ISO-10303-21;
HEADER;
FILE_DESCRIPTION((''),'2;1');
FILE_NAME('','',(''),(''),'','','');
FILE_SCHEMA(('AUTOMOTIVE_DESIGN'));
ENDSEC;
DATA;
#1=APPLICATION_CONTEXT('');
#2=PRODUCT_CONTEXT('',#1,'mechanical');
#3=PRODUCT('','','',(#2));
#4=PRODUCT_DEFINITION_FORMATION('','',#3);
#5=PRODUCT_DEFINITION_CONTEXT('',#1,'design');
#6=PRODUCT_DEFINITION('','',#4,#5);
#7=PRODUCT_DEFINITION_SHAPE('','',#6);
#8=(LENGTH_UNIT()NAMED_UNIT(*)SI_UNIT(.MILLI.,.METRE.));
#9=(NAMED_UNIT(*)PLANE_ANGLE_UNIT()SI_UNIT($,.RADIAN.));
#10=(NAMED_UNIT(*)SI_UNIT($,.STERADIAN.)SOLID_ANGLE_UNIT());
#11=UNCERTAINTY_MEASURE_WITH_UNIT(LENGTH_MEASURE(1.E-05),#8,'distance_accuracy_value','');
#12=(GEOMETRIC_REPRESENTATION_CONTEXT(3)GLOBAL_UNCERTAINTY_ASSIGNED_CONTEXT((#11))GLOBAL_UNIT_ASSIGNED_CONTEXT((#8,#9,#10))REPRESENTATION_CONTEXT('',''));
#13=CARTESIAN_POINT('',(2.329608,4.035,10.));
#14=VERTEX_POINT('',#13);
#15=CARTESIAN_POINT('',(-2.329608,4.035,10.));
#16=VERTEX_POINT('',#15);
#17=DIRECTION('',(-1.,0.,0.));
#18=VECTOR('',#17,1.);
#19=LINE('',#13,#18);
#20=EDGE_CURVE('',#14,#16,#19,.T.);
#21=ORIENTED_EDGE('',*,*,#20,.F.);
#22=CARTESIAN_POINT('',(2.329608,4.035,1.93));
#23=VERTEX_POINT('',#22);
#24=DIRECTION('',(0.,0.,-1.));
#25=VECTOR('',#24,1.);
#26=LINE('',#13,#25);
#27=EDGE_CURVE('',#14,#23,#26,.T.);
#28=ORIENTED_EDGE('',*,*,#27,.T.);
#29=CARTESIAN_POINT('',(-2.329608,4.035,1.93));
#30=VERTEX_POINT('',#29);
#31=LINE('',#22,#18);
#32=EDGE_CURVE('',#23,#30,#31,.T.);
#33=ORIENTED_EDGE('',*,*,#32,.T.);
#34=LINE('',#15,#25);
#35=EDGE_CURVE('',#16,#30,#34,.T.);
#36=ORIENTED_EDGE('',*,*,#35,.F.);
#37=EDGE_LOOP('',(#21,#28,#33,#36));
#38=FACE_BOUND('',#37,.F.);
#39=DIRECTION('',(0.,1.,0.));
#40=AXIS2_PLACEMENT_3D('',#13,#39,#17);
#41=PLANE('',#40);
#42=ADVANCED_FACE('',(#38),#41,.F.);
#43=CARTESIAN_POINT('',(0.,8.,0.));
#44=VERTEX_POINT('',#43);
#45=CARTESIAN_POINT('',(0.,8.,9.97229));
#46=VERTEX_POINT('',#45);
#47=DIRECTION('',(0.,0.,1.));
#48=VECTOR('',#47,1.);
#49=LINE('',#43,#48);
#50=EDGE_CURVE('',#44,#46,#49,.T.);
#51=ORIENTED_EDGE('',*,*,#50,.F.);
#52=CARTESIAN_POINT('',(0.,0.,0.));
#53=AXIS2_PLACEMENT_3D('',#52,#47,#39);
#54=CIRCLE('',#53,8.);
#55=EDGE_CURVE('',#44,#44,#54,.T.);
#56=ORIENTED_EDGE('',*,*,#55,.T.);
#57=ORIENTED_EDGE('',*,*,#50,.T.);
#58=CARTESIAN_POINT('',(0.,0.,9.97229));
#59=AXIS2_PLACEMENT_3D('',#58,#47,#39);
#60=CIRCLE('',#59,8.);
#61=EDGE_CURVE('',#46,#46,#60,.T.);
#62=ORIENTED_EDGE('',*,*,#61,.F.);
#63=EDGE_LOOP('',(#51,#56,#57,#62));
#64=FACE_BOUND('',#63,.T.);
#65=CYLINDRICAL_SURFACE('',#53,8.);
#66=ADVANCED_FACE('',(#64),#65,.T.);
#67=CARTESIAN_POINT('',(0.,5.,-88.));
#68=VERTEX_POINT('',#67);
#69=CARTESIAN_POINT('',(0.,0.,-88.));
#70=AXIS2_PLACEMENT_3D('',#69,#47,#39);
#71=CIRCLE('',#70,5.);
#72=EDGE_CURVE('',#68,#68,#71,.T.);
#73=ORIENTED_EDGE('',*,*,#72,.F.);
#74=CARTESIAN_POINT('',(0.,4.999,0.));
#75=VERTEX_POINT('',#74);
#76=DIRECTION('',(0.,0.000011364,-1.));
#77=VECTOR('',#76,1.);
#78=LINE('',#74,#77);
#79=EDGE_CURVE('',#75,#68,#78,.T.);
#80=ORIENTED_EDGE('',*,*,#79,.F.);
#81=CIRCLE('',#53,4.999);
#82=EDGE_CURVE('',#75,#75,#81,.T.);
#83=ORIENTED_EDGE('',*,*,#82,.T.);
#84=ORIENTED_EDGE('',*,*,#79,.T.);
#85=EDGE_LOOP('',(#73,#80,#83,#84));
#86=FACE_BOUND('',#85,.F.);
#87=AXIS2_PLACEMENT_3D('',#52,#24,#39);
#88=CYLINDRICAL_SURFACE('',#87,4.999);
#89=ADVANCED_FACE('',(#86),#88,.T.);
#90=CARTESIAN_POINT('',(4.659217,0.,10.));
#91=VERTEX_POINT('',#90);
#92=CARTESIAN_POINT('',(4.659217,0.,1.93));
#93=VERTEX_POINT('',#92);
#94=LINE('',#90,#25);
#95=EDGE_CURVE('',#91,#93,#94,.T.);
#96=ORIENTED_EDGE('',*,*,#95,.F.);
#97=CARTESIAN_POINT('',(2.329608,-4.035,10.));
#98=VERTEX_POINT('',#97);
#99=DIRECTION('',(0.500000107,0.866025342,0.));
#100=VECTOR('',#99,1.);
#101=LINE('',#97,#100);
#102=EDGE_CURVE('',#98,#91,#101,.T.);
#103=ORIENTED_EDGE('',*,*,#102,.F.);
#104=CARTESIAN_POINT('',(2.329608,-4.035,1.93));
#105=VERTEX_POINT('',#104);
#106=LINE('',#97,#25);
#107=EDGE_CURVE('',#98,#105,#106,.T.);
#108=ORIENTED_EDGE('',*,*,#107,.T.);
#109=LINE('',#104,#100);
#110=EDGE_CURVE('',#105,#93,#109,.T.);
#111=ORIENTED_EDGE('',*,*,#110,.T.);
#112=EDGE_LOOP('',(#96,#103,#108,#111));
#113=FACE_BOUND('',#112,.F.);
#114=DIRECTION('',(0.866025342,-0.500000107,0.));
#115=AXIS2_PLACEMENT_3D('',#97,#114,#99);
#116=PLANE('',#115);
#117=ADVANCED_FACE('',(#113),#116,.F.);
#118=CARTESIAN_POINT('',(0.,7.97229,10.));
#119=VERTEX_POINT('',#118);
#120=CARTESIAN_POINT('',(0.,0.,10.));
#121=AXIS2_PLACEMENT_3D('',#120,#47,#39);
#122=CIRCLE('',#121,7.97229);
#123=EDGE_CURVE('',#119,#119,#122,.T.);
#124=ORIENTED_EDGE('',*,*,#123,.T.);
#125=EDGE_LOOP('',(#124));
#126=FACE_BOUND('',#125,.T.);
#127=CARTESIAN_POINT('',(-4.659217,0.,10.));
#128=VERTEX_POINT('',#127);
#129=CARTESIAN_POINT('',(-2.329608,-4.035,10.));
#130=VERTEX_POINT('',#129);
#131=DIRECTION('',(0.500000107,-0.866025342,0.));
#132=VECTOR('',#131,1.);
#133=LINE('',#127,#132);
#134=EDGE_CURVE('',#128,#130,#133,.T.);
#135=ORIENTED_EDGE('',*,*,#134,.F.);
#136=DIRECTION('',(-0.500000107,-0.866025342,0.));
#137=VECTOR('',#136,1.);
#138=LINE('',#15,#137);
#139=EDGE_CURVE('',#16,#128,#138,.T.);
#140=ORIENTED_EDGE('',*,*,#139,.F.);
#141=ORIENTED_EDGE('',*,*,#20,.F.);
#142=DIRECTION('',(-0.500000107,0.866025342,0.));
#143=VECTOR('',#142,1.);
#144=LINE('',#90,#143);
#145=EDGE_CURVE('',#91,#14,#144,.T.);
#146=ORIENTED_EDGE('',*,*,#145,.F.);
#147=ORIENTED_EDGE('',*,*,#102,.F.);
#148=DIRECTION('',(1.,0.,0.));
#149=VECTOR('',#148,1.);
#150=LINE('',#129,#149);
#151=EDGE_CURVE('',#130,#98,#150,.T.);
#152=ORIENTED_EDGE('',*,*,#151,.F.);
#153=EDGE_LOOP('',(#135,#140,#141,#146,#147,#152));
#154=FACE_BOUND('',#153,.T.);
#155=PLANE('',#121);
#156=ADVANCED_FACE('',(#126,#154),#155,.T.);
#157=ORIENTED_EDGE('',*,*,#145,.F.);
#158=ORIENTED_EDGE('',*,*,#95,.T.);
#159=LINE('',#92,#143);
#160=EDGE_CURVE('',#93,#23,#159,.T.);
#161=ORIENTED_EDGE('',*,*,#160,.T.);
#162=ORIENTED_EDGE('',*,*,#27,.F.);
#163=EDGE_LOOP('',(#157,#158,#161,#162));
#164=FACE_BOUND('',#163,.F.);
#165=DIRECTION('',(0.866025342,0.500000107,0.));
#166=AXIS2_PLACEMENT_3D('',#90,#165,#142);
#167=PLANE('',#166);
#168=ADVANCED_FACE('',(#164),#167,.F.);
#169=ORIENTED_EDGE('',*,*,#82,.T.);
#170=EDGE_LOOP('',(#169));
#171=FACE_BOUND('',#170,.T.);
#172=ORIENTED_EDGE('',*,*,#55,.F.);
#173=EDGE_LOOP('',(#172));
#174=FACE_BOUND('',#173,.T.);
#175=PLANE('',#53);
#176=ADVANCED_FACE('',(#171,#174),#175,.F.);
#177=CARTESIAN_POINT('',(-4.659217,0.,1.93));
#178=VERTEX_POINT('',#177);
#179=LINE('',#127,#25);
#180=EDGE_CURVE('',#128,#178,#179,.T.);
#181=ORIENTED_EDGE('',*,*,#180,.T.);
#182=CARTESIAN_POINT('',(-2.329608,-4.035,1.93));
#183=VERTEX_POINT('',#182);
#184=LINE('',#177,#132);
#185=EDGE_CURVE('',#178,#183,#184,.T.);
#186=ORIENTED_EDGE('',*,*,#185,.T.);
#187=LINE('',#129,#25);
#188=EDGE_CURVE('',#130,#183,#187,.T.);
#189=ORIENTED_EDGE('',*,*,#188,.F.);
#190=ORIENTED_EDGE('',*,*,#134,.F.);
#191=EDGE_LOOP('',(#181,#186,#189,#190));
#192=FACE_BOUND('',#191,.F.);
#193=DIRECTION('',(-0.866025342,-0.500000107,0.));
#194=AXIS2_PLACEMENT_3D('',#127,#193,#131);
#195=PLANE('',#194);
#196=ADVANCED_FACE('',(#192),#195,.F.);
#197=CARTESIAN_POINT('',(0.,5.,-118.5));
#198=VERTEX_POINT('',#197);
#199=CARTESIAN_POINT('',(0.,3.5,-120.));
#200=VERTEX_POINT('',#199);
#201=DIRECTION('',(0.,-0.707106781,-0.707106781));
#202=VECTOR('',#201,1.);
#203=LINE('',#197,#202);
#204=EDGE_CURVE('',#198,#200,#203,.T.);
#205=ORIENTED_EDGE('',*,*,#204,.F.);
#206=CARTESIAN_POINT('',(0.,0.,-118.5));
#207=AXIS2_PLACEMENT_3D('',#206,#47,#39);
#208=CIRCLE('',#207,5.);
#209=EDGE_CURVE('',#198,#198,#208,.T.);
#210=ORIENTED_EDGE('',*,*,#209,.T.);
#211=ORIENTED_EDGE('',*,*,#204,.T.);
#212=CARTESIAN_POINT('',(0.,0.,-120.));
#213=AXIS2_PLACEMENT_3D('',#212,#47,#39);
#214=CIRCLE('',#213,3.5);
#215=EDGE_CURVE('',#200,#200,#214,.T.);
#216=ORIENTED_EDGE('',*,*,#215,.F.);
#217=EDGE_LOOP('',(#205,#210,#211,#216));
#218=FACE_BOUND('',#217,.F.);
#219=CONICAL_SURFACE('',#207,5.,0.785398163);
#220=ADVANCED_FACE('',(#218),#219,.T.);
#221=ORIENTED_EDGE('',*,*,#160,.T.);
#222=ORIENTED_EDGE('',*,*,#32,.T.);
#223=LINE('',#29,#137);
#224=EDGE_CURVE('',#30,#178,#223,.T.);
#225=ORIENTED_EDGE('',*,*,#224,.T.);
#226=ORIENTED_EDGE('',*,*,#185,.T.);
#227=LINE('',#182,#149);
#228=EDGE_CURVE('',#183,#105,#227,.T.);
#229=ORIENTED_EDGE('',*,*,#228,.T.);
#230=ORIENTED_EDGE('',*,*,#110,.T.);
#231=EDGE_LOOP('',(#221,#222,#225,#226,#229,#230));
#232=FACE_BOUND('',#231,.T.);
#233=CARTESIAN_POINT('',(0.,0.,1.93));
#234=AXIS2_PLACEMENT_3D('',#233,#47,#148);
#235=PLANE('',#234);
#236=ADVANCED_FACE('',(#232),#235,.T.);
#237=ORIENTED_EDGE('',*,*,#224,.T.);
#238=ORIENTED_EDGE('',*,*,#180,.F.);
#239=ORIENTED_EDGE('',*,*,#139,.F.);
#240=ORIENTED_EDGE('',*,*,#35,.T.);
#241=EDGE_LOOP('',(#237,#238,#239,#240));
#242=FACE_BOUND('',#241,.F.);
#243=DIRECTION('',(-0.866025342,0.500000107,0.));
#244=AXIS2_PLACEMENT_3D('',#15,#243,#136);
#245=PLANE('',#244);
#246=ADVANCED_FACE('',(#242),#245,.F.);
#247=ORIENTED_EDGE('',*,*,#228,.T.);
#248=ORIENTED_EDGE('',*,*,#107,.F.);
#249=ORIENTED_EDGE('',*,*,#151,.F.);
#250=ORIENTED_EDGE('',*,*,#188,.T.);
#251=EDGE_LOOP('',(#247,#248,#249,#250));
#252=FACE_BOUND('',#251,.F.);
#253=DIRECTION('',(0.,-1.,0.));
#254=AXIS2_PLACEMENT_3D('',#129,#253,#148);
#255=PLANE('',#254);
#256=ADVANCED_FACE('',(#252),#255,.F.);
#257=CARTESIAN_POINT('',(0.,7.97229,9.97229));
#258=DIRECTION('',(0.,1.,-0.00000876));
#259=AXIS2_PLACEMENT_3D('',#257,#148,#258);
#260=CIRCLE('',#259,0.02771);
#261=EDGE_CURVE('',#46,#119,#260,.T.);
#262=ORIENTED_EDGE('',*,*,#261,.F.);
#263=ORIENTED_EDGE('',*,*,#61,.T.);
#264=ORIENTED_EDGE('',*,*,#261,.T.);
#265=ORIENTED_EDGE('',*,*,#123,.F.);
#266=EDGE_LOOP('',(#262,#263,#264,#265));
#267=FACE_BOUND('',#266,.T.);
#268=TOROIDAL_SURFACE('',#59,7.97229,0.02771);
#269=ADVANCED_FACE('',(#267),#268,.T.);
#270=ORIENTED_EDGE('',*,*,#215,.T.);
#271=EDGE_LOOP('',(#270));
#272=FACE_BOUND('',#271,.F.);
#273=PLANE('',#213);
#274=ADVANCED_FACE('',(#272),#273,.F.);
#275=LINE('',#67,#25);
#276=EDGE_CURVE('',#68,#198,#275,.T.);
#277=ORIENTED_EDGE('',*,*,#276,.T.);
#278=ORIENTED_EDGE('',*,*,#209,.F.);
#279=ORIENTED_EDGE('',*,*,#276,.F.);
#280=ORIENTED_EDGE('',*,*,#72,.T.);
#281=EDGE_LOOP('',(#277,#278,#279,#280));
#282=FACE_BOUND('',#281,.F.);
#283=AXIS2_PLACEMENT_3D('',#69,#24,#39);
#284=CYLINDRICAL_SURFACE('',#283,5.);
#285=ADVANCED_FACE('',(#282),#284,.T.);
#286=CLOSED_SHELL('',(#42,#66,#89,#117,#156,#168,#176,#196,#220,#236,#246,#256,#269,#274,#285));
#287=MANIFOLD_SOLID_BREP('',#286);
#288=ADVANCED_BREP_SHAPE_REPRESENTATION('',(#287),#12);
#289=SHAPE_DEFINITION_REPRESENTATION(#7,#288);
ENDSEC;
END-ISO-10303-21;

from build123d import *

# Parameters (mm, degrees)
POCKET_DEPTH = 8.07


with BuildPart() as part:
    # Sketch → Revolve (revolve)
    with BuildSketch(Plane.YZ):
        with BuildLine():
            Line((4.999, 0), (8, 0))
            Line((8, 0), (8, 9.97229))
            ThreePointArc((8, 9.97229), (7.991884, 9.991884), (7.97229, 10))
            Line((7.97229, 10), (0, 10))
            Line((0, -120), (0, 10))
            Line((3.5, -120), (0, -120))
            Line((5, -118.5), (3.5, -120))
            Line((5, -88), (5, -118.5))
            Line((4.999, 0), (5, -88))
        make_face()
    revolve(axis=Axis((0, 0, 0), (0, 0, 1)))

    # Sketch001 → Pocket (cut)
    with BuildSketch(Plane.XY.offset(10)):
        Polygon((4.659217, 0), (2.329608, 4.035), (-2.329608, 4.035), (-4.659217, 0), (-2.329608, -4.035), (2.329608, -4.035), align=None)
    extrude(amount=-POCKET_DEPTH, mode=Mode.SUBTRACT)


solid = part.part
